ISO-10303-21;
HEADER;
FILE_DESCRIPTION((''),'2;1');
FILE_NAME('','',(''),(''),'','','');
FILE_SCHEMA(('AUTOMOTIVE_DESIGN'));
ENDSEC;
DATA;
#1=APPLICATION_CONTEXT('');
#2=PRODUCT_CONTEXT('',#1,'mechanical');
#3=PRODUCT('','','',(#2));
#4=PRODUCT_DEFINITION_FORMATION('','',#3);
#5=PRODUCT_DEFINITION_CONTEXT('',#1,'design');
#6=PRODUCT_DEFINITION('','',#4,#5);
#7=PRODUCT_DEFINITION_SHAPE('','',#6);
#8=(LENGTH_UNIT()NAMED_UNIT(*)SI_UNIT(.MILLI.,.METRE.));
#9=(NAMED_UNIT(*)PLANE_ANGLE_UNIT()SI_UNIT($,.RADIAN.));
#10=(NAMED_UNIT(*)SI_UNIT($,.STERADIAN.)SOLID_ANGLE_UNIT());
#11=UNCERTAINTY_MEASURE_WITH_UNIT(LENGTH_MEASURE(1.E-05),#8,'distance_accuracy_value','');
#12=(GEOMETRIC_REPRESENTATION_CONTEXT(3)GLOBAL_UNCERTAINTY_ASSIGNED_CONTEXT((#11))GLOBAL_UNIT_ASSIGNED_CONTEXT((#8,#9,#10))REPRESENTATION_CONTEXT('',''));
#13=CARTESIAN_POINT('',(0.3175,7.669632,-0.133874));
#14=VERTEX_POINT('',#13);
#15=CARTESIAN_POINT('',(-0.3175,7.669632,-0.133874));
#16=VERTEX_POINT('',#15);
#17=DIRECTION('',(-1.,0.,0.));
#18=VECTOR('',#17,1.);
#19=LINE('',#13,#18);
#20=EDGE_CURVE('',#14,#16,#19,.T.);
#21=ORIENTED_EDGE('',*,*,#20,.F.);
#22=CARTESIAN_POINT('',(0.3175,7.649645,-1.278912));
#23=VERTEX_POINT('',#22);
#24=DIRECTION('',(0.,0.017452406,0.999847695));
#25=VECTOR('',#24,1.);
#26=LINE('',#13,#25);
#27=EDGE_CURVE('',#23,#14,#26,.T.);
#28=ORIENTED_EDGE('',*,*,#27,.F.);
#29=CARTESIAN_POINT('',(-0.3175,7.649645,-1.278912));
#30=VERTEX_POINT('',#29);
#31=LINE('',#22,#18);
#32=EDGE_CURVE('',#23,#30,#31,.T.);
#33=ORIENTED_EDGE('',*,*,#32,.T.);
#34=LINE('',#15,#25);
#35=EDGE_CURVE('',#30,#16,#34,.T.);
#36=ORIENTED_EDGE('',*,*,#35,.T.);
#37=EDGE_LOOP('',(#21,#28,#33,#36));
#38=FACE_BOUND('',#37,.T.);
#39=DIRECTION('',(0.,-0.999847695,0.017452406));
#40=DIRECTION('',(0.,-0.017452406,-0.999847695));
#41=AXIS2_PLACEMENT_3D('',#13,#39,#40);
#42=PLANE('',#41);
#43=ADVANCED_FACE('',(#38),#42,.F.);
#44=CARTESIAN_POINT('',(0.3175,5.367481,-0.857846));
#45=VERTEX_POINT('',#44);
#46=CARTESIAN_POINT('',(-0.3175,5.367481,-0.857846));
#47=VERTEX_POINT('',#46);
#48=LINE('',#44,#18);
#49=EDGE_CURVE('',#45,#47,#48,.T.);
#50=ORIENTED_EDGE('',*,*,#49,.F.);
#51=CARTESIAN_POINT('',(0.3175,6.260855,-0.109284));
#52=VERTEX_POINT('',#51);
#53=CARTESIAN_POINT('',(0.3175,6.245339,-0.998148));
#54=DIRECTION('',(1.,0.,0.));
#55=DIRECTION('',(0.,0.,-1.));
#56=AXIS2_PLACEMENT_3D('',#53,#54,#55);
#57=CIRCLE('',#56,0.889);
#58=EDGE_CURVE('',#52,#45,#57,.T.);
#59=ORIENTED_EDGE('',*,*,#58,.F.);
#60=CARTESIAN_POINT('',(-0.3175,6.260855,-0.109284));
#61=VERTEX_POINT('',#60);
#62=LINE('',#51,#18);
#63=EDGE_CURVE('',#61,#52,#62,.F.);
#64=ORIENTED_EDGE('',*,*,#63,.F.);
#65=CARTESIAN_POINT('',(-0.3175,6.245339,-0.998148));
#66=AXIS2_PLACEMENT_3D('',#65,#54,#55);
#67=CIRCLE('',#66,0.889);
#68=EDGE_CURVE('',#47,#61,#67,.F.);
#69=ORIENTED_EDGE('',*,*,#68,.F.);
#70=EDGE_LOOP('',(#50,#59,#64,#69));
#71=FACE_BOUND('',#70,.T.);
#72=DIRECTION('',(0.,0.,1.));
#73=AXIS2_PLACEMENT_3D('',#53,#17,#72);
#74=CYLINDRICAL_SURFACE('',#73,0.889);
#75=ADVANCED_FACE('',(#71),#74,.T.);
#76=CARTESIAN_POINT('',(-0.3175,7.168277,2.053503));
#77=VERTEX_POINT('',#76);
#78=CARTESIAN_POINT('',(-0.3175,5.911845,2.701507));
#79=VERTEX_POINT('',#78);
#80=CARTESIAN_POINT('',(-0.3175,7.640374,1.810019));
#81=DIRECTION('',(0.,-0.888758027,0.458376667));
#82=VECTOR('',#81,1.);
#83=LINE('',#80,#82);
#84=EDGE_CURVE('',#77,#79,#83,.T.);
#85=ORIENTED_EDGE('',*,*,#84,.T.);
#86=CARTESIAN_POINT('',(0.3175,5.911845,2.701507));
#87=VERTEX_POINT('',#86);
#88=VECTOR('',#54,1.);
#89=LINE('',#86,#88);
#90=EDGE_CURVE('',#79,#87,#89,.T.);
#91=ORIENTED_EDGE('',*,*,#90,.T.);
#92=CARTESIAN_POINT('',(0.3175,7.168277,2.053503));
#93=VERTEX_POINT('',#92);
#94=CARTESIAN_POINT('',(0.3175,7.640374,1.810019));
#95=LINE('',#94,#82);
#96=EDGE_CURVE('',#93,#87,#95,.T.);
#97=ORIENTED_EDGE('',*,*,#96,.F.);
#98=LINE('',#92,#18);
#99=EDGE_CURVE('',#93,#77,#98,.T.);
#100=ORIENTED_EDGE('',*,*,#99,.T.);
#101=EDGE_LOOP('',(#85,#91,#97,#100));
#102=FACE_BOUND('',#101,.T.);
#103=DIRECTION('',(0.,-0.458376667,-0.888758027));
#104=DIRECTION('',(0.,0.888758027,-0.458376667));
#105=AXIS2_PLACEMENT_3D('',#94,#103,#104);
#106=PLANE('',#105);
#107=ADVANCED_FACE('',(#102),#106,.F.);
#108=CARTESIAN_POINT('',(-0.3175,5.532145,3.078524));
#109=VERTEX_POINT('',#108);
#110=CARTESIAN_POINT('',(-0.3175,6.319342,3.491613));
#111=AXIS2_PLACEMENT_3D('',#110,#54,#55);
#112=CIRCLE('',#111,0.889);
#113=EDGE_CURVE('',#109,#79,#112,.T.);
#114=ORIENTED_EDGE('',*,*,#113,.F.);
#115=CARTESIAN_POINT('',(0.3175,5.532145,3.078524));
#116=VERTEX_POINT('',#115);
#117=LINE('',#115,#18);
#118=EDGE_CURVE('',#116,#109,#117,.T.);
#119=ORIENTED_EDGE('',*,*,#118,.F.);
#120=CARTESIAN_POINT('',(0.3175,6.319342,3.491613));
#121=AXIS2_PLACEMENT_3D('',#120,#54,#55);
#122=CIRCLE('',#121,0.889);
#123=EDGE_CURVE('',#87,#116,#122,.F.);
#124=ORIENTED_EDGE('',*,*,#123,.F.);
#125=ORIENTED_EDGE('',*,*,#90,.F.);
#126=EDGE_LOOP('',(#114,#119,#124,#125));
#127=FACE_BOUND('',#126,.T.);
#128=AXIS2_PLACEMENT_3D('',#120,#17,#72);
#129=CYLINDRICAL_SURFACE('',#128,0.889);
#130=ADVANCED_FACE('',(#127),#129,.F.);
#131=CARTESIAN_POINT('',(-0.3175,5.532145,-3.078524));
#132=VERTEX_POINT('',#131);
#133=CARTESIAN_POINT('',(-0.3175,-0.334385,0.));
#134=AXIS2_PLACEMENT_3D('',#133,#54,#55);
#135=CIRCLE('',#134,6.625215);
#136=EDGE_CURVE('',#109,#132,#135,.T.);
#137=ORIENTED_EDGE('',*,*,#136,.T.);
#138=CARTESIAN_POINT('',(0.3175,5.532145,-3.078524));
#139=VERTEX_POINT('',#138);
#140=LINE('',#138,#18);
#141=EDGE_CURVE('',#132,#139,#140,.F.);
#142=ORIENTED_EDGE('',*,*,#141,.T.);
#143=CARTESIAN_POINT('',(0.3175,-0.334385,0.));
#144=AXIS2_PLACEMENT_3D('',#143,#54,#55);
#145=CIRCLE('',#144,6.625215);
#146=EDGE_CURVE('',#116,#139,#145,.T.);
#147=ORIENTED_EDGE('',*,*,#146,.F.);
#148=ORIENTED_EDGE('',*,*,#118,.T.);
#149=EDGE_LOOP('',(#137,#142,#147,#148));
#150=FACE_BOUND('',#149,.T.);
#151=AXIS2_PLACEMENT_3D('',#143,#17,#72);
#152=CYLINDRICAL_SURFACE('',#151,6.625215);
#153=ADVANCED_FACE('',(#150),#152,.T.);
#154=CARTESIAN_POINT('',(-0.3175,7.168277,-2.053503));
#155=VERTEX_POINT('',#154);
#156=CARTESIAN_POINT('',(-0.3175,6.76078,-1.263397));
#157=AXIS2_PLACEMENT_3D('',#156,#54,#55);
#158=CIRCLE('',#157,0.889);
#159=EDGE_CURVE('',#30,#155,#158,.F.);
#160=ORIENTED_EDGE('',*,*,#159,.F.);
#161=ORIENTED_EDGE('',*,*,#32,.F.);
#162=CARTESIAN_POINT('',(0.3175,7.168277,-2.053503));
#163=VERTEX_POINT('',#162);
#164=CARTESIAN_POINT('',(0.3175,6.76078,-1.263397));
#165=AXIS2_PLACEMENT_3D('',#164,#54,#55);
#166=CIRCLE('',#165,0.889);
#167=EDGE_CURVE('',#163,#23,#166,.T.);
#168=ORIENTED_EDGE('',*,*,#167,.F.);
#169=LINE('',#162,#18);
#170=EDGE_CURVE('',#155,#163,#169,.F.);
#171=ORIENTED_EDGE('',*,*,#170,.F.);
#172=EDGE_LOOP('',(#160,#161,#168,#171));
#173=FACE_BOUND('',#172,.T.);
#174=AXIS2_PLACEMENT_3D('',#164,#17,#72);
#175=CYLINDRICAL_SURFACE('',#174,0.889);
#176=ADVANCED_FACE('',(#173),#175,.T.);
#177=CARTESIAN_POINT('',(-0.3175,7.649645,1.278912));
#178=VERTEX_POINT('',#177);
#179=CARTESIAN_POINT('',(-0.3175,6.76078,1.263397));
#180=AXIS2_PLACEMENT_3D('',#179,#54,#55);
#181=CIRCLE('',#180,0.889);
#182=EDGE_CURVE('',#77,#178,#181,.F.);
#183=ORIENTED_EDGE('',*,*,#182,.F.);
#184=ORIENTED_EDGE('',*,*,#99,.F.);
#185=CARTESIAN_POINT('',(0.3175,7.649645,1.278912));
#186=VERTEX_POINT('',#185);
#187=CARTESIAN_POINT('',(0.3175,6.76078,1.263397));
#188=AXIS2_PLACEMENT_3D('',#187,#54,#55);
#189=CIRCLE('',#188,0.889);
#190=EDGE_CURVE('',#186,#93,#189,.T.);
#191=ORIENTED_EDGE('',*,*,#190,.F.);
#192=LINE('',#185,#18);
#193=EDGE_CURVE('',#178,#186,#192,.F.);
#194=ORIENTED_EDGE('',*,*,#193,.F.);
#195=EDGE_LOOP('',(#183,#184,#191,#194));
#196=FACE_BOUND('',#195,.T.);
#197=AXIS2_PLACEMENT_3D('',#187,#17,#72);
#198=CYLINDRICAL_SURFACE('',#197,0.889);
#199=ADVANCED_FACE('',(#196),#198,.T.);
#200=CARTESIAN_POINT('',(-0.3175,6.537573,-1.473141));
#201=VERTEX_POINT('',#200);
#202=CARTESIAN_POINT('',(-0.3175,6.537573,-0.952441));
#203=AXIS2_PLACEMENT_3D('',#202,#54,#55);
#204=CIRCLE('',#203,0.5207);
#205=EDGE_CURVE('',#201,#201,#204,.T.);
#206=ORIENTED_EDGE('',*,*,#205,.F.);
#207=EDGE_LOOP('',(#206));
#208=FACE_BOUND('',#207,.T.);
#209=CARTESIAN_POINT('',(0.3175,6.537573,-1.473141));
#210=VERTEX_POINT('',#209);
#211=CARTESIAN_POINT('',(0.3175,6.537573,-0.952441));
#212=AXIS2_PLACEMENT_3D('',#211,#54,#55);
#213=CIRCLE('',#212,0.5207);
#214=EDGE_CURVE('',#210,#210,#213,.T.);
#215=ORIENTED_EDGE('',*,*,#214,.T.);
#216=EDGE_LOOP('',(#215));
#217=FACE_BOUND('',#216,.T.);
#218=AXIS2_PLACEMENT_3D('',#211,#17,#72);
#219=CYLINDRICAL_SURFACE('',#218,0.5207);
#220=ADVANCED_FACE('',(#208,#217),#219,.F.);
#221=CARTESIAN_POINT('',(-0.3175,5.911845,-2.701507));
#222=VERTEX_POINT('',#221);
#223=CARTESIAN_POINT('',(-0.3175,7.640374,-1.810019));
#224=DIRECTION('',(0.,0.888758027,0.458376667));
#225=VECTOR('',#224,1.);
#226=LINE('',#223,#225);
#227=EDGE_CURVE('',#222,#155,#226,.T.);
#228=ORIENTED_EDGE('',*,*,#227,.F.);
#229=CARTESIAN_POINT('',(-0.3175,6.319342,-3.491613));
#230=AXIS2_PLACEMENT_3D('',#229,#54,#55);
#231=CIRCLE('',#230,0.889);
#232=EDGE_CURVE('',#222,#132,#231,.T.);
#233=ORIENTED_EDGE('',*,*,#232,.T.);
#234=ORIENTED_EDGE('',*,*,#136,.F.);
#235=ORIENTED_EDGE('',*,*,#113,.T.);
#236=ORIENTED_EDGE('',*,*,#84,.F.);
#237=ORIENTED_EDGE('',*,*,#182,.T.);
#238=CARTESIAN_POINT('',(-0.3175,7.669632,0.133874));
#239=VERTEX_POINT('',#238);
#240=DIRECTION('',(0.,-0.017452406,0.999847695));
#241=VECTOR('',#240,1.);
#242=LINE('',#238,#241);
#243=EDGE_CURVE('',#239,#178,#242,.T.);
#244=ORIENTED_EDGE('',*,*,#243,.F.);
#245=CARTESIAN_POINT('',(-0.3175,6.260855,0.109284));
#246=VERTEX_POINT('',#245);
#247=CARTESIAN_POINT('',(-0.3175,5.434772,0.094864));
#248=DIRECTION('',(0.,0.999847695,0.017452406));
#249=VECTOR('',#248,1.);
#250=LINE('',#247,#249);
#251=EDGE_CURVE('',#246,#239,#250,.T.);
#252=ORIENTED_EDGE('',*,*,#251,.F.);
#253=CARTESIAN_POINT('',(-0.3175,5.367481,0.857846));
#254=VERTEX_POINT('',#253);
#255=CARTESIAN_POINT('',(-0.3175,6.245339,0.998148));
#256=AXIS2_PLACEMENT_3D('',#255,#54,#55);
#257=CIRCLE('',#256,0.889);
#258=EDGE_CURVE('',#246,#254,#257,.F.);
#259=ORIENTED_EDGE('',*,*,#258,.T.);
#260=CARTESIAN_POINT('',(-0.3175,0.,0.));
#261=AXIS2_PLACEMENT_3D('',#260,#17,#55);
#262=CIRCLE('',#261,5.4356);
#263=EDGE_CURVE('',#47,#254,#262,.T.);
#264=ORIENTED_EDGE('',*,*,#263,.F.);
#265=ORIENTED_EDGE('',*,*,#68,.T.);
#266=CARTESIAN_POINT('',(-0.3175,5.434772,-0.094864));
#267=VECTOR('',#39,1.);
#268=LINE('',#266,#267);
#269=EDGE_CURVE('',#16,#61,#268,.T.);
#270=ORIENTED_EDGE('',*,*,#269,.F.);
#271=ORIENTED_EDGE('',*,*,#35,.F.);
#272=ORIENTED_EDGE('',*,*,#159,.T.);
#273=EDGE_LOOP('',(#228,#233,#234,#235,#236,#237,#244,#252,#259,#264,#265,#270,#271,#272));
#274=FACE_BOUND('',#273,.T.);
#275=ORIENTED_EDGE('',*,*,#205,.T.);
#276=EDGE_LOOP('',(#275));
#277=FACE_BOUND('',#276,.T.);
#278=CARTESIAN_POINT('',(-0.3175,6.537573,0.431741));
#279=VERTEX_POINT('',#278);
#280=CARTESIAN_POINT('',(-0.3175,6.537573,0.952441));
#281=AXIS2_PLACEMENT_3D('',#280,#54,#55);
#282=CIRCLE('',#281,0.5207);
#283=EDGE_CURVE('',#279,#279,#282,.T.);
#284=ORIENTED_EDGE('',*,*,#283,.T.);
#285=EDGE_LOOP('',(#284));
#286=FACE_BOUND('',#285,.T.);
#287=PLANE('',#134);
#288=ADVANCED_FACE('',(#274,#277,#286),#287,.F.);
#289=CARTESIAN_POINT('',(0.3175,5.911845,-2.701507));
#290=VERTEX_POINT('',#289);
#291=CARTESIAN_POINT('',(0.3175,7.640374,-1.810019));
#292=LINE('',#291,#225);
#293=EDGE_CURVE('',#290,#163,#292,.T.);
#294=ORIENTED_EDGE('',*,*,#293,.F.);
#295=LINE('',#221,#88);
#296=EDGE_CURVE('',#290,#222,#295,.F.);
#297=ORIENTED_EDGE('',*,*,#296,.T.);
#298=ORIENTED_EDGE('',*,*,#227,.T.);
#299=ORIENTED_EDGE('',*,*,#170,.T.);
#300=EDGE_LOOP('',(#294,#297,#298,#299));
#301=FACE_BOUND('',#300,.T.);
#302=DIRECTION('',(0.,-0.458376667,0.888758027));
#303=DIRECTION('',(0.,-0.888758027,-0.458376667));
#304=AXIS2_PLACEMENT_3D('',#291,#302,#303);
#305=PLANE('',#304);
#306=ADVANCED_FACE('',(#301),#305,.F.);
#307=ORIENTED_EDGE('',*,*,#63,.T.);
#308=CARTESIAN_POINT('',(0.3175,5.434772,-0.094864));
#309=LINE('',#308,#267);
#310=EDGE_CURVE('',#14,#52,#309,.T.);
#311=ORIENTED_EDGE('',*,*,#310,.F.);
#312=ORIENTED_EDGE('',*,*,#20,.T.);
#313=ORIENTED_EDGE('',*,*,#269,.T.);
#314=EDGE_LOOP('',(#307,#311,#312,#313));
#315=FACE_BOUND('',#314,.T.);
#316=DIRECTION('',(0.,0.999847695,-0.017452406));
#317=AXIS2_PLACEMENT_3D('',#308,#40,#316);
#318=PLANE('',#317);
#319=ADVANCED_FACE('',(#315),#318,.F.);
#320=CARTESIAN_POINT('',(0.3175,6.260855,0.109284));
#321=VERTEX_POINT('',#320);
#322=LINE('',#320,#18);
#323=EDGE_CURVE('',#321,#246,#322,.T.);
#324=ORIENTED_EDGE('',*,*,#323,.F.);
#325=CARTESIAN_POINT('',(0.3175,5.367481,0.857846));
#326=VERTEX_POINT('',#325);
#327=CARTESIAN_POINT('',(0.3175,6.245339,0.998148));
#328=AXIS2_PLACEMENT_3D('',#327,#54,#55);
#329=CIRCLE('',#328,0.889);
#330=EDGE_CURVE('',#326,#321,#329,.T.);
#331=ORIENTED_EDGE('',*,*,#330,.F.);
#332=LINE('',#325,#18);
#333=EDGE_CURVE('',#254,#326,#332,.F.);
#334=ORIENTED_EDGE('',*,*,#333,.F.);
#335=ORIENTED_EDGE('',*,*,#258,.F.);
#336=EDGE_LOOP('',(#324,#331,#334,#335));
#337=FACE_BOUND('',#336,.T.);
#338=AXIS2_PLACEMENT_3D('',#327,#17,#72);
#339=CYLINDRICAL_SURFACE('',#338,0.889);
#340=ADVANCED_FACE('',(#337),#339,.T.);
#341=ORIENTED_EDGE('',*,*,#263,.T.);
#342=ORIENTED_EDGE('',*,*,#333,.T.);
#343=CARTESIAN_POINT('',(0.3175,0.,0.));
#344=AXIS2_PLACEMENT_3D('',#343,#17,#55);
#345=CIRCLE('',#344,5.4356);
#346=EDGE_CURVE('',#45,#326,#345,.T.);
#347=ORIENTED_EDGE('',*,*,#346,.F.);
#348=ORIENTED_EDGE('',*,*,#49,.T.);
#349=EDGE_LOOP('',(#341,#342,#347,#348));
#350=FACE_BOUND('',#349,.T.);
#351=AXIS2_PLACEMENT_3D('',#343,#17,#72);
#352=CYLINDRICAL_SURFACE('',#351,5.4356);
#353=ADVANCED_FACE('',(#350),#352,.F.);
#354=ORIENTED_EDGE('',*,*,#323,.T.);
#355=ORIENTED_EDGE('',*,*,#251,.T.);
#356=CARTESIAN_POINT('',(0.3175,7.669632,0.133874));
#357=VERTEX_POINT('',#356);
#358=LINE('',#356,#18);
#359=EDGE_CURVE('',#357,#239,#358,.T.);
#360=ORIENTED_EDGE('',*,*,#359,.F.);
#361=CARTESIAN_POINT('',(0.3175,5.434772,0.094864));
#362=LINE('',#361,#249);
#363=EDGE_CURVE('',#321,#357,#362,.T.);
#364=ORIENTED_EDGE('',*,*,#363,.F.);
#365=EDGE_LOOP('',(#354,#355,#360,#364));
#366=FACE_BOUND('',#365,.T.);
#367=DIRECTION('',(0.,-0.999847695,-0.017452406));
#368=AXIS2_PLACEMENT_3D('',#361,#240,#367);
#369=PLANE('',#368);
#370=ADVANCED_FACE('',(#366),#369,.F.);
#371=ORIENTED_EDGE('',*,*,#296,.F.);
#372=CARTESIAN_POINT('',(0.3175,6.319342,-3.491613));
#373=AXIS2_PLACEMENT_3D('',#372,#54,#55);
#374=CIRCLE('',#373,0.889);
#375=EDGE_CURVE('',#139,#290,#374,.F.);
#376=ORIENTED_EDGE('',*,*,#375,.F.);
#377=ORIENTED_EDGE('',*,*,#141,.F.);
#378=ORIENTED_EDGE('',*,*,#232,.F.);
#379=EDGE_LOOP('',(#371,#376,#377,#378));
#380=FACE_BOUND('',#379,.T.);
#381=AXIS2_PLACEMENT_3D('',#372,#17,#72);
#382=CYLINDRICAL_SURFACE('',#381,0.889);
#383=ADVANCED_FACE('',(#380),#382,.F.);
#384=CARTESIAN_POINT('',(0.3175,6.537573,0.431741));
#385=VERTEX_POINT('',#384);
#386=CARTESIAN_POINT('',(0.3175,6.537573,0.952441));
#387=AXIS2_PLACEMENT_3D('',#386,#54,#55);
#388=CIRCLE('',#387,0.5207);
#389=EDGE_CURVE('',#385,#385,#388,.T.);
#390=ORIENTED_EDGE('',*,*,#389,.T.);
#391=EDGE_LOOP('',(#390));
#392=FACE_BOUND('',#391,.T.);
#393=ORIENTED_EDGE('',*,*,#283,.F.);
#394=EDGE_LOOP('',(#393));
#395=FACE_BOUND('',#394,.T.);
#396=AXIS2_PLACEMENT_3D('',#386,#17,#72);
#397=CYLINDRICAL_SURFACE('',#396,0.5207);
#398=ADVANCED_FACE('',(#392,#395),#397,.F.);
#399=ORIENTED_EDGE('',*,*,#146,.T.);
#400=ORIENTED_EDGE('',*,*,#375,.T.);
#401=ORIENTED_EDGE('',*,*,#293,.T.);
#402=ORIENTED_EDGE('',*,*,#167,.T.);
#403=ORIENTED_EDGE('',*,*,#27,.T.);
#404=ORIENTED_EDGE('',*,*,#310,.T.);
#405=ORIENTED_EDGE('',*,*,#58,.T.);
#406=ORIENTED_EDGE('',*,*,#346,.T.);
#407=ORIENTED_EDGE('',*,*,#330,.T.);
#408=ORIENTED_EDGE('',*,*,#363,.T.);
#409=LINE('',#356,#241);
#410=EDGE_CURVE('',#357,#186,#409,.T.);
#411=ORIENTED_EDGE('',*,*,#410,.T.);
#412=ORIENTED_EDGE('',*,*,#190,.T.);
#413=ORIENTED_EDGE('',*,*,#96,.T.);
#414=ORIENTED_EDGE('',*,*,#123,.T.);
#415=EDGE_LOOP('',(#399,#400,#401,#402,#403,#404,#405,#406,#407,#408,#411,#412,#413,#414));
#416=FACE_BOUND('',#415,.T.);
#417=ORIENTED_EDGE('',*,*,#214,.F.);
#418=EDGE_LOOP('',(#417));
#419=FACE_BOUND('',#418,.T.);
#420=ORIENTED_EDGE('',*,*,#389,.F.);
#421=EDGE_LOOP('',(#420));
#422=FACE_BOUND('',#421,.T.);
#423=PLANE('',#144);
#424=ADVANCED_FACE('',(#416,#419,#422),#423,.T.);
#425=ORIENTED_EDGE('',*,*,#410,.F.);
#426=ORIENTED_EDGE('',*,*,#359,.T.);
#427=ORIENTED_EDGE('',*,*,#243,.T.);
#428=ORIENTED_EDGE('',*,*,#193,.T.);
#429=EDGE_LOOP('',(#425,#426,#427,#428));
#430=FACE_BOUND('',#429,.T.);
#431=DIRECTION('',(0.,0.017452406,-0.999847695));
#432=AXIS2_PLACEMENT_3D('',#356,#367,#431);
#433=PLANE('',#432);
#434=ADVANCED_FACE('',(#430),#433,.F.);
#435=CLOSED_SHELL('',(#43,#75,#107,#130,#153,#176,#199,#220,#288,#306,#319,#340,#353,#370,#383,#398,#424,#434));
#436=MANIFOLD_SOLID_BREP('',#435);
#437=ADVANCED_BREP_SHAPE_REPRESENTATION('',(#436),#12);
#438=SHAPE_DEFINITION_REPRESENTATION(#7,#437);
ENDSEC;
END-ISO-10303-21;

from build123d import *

# Parameters (mm, degrees)
BOSS_EXTRUDE1_DEPTH      = 0.3175
BOSS_EXTRUDE1_DEPTH_BACK = 0.3175
SKETCH3_R                = 0.5207
FILLET1_R                = 0.889


with BuildPart() as part:
    # Sketch3 → Boss-Extrude1 (new, two sides: drawn at the far end of the back side and taken through both)
    with BuildSketch(Plane(origin=(0, 0, 0), x_dir=(0, 0, -1), z_dir=(1, 0, 0)).offset(-BOSS_EXTRUDE1_DEPTH_BACK)):
        with BuildLine():
            Line((-1.810018595, 7.640374486), (-2.834582122, 5.653822543))
            ThreePointArc((-2.834582122, 5.653822543), (0, -6.9596), (2.834582122, 5.653822543))
            Line((2.834582122, 5.653822543), (1.810018595, 7.640374486))
            Line((1.810018595, 7.640374486), (0.133873919, 7.6696317))
            Line((0.133873919, 7.6696317), (0.0948643, 5.434772132))
            ThreePointArc((0.0948643, 5.434772132), (0, -5.4356), (-0.0948643, 5.434772132))
            Line((-0.0948643, 5.434772132), (-0.133873919, 7.6696317))
            Line((-0.133873919, 7.6696317), (-1.810018595, 7.640374486))
        make_face()
        with Locations((-0.952441448, 6.537573309)):
            Circle(SKETCH3_R, mode=Mode.SUBTRACT)
        with Locations((0.952441448, 6.537573309)):
            Circle(SKETCH3_R, mode=Mode.SUBTRACT)
    extrude(amount=BOSS_EXTRUDE1_DEPTH + BOSS_EXTRUDE1_DEPTH_BACK)

    # Fillet1
    fillet1_edges = [part.edges().sort_by_distance(p)[0] for p in [
        (0, 5.653822543, 2.834582122),
        (0, 7.640374486, 1.810018595),
        (0, 5.434772132, 0.0948643),
        (0, 5.434772132, -0.0948643),
        (0, 7.640374486, -1.810018595),
        (0, 5.653822543, -2.834582122),
    ]]
    fillet(fillet1_edges, radius=FILLET1_R)


solid = part.part
